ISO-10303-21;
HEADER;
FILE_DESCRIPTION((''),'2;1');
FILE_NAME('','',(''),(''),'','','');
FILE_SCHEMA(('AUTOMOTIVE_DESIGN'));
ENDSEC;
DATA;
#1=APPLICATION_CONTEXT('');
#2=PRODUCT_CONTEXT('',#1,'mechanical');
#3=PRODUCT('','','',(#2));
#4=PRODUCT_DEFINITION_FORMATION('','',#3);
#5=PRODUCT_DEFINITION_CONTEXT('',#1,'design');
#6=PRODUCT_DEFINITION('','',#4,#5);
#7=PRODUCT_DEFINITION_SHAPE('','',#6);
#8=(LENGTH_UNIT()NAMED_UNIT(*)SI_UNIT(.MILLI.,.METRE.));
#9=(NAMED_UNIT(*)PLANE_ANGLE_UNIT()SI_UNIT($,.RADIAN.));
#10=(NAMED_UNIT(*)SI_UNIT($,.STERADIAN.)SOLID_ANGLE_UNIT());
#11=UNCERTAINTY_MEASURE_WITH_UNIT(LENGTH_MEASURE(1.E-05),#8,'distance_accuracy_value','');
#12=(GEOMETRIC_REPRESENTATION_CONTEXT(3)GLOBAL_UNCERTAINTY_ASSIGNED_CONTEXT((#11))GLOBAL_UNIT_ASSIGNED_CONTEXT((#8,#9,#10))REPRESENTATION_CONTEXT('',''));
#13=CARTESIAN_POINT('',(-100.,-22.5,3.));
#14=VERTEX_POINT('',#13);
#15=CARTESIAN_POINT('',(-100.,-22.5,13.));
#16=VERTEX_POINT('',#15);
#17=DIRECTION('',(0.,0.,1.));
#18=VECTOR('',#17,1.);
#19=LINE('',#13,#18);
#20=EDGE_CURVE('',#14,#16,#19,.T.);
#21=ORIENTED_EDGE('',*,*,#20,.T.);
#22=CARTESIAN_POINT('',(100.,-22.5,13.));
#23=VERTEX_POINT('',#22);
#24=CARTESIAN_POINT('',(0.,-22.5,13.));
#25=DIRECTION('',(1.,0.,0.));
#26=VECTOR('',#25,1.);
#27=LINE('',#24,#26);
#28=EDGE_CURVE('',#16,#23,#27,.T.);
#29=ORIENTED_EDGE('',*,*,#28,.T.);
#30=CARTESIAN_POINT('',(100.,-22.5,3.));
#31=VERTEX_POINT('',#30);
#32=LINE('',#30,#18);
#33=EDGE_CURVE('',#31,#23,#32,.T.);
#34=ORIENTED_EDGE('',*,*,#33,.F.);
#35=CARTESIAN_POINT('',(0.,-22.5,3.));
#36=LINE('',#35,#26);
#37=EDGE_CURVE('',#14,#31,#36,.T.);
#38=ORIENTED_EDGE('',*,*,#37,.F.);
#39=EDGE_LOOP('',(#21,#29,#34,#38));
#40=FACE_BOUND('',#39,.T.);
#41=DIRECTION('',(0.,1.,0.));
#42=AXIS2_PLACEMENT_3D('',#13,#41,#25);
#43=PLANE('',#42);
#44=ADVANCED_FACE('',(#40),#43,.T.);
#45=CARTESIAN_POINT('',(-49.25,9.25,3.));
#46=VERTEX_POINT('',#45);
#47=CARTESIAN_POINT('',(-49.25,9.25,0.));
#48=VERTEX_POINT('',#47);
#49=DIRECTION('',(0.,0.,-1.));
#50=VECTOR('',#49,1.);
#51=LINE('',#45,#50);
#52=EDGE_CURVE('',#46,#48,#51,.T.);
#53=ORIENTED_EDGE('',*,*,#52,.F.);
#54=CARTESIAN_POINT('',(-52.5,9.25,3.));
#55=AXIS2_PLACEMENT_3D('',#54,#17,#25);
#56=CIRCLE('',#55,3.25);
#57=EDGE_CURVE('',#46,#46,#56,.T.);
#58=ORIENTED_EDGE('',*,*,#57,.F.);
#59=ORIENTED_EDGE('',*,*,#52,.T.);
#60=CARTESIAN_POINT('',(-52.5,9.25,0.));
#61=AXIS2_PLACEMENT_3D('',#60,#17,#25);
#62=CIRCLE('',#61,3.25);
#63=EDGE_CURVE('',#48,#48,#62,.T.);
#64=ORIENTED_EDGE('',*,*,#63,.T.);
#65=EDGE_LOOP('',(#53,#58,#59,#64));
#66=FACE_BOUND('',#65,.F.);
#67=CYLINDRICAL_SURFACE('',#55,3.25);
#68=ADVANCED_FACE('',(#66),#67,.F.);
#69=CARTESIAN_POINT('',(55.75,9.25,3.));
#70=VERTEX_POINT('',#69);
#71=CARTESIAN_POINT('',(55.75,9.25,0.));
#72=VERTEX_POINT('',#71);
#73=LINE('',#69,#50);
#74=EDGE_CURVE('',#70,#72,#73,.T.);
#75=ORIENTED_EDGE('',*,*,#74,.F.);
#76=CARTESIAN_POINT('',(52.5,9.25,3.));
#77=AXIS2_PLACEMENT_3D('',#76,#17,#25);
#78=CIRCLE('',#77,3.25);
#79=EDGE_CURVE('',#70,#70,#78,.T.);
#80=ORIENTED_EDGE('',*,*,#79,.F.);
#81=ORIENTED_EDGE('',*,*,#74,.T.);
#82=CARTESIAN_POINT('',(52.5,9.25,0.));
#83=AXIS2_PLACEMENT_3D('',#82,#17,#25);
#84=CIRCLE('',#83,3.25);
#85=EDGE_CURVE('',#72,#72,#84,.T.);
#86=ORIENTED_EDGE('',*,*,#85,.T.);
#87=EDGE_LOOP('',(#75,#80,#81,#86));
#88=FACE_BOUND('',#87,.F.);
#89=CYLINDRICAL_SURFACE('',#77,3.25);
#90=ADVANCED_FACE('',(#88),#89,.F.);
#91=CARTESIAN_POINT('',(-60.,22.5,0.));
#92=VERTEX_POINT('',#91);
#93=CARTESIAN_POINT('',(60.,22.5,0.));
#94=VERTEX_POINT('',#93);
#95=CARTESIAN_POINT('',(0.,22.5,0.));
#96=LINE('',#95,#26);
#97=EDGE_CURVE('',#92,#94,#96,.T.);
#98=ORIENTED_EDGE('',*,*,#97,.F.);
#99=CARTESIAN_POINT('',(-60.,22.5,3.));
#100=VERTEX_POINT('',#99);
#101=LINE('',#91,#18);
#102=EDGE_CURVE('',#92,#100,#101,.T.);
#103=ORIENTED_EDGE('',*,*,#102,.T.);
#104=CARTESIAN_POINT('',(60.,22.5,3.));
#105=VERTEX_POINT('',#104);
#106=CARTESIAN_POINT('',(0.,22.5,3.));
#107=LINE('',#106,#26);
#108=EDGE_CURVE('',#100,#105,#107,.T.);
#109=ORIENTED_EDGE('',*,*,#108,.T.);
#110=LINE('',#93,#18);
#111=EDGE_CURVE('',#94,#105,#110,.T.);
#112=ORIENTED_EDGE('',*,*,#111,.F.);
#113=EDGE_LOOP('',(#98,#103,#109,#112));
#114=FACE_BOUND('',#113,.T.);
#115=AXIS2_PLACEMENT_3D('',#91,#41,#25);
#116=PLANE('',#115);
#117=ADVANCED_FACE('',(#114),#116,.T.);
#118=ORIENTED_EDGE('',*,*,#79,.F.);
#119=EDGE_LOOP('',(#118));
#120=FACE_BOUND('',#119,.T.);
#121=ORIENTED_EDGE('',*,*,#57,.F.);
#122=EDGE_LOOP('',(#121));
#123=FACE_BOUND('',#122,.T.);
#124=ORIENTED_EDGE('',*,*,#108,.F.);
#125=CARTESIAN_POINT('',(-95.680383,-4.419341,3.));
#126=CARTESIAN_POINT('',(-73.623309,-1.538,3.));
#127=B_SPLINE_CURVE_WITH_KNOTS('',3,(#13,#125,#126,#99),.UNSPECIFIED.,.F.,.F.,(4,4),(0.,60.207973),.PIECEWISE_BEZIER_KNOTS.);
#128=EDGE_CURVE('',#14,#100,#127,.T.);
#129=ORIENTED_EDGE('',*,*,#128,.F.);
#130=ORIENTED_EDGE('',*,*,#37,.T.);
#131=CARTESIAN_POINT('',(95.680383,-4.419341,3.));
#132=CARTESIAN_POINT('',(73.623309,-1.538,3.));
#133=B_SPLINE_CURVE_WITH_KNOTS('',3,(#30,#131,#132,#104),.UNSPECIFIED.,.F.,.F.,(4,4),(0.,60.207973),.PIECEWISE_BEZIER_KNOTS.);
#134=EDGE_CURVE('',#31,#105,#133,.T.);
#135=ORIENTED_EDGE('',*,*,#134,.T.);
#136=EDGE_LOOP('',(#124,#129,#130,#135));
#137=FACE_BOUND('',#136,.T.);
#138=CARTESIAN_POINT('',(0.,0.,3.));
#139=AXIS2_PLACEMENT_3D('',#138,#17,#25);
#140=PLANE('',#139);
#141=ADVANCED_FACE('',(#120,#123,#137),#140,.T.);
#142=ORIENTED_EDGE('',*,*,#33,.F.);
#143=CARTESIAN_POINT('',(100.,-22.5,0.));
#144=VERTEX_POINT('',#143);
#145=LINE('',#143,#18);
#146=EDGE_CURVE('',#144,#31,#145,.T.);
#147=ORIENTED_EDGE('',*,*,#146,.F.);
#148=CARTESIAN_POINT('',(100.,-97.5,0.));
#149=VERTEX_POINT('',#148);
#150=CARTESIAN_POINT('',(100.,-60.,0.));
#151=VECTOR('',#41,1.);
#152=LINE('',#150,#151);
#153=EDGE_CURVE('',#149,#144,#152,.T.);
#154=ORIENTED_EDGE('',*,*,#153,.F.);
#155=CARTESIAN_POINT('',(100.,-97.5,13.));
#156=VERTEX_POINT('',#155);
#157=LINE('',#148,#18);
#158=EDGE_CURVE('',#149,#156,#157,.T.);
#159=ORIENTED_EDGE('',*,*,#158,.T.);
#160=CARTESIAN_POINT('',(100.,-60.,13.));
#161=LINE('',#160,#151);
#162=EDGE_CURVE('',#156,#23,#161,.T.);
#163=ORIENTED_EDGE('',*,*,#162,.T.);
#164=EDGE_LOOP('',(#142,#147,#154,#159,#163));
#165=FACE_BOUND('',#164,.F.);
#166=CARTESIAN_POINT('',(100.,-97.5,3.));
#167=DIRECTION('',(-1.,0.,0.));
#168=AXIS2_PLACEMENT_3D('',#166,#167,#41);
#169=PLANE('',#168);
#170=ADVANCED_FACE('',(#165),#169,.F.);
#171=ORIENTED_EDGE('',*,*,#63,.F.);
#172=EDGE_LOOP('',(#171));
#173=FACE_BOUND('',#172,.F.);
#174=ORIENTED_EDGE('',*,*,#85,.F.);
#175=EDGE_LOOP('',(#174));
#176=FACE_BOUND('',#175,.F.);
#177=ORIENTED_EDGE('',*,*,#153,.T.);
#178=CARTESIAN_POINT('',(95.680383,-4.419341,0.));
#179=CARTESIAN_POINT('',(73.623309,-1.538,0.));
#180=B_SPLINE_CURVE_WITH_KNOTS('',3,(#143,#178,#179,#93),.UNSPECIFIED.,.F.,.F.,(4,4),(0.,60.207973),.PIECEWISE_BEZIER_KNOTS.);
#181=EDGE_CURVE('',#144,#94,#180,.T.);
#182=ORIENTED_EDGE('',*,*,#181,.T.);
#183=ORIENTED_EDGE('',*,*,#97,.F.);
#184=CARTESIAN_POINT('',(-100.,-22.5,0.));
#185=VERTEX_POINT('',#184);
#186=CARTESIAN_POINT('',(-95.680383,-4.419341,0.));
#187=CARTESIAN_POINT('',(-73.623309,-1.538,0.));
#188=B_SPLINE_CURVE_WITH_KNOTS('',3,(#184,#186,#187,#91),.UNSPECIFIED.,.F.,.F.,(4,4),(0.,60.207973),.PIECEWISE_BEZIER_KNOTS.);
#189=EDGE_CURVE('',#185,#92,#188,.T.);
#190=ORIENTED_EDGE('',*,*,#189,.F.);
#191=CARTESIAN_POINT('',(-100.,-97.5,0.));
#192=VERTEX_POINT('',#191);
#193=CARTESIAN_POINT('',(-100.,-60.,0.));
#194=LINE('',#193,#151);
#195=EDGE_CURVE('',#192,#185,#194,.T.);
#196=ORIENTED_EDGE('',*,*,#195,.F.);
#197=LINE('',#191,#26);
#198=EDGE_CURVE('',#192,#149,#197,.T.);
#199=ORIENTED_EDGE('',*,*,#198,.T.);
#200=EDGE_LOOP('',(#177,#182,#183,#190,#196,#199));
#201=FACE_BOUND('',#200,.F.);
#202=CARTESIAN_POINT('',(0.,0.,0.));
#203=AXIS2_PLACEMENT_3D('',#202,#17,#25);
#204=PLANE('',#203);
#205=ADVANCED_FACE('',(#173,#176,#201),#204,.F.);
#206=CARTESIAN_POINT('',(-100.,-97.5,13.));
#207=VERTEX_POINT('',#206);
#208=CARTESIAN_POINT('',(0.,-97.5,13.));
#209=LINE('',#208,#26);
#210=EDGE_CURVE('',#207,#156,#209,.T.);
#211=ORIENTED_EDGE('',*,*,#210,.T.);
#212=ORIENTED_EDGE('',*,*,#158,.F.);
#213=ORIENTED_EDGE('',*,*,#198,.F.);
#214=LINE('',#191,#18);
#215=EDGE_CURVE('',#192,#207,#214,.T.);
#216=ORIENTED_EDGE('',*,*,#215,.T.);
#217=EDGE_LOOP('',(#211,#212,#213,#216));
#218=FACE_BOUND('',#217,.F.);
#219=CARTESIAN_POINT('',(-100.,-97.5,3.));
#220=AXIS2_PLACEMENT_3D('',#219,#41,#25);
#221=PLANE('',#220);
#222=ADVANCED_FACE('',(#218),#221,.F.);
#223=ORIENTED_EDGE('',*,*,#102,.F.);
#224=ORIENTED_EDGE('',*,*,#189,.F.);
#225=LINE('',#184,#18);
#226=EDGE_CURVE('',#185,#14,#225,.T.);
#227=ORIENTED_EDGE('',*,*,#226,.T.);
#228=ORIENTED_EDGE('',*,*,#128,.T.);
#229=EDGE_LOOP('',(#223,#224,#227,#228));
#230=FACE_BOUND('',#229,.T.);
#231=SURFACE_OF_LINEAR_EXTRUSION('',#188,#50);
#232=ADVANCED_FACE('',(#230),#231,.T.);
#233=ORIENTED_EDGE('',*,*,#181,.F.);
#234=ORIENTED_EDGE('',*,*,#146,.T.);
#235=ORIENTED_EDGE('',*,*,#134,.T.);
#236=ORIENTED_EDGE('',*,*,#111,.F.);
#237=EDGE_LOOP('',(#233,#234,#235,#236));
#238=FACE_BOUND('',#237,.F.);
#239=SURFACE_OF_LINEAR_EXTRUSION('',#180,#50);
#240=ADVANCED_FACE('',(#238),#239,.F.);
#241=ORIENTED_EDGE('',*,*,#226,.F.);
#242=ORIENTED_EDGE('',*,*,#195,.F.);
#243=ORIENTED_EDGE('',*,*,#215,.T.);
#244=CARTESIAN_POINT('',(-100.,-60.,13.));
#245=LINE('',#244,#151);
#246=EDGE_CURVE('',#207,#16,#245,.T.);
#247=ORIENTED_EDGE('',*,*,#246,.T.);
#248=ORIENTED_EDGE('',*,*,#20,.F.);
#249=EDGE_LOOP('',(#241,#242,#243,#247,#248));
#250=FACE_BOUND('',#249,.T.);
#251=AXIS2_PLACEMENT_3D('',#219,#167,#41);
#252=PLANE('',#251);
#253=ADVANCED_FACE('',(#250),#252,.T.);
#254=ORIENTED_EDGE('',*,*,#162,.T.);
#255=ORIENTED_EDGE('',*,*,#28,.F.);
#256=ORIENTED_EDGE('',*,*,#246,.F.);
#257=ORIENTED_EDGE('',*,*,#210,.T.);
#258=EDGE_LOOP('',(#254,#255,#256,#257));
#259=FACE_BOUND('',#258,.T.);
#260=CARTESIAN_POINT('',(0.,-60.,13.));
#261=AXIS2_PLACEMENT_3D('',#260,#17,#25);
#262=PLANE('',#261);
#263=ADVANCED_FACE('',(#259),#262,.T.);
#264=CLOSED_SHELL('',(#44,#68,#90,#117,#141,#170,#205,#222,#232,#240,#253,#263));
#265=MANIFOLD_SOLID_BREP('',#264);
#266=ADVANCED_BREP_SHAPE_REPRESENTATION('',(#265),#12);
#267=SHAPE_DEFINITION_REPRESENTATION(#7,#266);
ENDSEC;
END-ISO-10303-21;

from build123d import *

# Parameters (mm, degrees)
F0_W     = 120
F0_H     = 45
F0_H_2   = 75
F0_W_2   = 40
F1_DEPTH = 3
F2_W     = 200
F2_H     = 75
F3_DEPTH = 10
F4_R     = 3.25
F5_DEPTH = 25


with BuildPart() as f1:
    # F0 (on Top) → F1 (new body)
    with BuildSketch(Plane.XY):
        Rectangle(F0_W, F0_H)
        with BuildLine():
            Line((-100, -22.5), (-60, -22.5))
            Line((-60, -22.5), (-60, 22.5))
            add(Edge.make_bspline(
                [(-100, -22.5), (-95.680383, -4.419341), (-73.623309, -1.538), (-60, 22.5)],
                knots=[0, 0, 0, 0, 60.207973, 60.207973, 60.207973, 60.207973], degree=3))
        make_face()
        with Locations((0, -60)):
            Rectangle(F0_W, F0_H_2)
        with Locations((-80, -60)):
            Rectangle(F0_W_2, F0_H_2)
        with Locations((80, -60)):
            Rectangle(F0_W_2, F0_H_2)
        with BuildLine():
            Line((60, 22.5), (60, -22.5))
            Line((60, -22.5), (100, -22.5))
            add(Edge.make_bspline(
                [(100, -22.5), (95.680383, -4.419341), (73.623309, -1.538), (60, 22.5)],
                knots=[0, 0, 0, 0, 60.207973, 60.207973, 60.207973, 60.207973], degree=3))
        make_face()
    extrude(amount=F1_DEPTH)

    # F2 (on face) → F3 (join)
    with BuildSketch(Plane.XY.offset(3)):
        with Locations((0, -60)):
            Rectangle(F2_W, F2_H)
    extrude(amount=F3_DEPTH)

    # F4 (on face) → F5 (cut)
    with BuildSketch(Plane.XY.offset(3)):
        with Locations((-52.5, 9.25)):
            Circle(F4_R)
        with Locations((52.5, 9.25)):
            Circle(F4_R)
    extrude(amount=-F5_DEPTH, mode=Mode.SUBTRACT)


solid = f1.part
